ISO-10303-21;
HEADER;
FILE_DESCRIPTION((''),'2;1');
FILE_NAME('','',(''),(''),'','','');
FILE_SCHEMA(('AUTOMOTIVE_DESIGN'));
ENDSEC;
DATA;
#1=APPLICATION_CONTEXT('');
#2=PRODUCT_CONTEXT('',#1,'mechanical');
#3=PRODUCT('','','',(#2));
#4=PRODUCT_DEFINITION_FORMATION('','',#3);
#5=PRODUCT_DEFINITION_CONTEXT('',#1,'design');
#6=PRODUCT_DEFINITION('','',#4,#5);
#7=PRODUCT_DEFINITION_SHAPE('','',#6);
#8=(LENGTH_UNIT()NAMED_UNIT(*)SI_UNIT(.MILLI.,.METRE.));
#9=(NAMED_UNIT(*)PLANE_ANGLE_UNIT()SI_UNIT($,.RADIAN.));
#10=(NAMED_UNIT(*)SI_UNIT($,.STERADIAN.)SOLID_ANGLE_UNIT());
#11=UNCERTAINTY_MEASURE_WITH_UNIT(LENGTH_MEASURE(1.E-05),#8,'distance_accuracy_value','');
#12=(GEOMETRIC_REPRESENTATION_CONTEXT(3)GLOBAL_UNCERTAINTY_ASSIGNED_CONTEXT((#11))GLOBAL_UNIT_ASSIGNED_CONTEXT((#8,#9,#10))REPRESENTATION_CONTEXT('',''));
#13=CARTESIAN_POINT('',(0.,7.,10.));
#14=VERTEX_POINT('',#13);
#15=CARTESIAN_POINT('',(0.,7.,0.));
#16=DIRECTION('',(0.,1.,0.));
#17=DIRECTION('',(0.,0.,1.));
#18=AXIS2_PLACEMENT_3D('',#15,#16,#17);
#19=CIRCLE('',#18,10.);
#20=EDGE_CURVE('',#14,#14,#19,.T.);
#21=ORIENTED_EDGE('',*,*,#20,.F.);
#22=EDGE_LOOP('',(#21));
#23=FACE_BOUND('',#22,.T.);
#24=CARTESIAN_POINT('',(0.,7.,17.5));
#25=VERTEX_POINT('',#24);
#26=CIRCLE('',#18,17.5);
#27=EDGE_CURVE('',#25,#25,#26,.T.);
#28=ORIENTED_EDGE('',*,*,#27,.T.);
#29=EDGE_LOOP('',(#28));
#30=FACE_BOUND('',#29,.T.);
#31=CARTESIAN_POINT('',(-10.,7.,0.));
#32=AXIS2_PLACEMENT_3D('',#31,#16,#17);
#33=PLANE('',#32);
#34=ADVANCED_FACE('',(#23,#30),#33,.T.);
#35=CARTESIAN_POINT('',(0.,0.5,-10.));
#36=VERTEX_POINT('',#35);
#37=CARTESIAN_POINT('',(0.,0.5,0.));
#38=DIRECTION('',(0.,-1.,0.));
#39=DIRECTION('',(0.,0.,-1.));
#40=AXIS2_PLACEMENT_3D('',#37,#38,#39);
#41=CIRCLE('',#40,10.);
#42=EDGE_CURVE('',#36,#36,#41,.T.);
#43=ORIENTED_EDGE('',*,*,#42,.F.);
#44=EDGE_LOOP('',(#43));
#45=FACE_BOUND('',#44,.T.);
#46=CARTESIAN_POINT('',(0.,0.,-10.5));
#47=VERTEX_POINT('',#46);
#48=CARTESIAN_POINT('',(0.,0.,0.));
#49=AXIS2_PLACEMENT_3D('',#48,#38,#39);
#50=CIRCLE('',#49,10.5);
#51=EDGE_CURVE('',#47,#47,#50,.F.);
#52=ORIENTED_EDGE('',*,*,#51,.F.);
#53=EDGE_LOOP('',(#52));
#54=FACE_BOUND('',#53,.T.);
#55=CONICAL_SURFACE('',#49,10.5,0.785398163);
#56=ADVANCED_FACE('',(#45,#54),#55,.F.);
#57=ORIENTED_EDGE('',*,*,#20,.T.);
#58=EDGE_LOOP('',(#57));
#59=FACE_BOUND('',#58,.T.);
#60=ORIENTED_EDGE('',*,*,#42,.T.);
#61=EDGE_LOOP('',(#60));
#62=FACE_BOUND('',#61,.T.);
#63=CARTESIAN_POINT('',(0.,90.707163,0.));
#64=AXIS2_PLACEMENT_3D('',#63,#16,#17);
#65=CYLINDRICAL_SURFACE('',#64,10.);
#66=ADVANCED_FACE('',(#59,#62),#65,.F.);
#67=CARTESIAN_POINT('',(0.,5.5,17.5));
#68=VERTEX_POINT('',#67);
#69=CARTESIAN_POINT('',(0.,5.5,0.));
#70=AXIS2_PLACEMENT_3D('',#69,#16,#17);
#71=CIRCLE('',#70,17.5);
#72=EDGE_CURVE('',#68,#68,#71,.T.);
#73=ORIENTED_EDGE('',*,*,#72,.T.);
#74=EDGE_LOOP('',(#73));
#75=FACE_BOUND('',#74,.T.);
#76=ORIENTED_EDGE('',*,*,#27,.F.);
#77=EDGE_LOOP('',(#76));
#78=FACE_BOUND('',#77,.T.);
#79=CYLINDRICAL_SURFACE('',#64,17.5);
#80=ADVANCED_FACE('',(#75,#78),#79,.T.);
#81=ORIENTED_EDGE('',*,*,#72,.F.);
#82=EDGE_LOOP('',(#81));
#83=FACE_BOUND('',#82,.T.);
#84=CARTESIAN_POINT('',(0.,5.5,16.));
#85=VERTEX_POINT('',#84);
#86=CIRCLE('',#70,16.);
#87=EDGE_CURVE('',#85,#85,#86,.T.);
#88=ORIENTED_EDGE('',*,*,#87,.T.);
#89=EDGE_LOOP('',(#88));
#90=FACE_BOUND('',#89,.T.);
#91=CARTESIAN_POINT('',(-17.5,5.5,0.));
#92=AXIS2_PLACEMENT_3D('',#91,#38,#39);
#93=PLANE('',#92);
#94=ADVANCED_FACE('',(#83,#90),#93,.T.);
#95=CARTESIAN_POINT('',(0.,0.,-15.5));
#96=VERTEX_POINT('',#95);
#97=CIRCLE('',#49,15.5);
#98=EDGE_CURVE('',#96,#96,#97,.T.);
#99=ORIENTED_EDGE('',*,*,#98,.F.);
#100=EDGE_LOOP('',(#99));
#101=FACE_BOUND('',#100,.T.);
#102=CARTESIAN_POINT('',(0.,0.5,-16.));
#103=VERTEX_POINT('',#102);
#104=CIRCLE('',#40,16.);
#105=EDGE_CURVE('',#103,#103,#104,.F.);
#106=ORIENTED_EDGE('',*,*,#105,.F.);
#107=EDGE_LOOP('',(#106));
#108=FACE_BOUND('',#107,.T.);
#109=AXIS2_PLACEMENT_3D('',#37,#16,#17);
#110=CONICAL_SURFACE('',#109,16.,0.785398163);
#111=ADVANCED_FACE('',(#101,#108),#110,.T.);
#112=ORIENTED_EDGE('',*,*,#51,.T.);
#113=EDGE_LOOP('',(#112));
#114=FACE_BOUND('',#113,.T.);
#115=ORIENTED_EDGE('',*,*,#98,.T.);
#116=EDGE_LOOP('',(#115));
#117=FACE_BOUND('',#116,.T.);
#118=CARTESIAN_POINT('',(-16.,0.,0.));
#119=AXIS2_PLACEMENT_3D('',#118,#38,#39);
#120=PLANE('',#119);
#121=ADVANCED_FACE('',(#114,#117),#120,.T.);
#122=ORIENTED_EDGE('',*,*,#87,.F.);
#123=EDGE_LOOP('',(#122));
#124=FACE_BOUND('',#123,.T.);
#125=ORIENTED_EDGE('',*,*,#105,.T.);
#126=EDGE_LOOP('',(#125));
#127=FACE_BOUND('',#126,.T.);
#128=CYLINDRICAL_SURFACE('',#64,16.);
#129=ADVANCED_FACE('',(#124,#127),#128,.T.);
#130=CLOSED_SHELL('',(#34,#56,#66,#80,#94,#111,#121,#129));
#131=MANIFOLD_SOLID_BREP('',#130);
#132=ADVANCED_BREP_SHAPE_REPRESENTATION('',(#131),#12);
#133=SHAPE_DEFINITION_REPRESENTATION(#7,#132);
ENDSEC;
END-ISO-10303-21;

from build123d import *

# Parameters (mm, degrees)
CHAMFER_1_SIZE = 0.5


with BuildPart() as part:
    # 草图1 → 旋转1 (revolve)
    with BuildSketch(Plane.XY, mode=Mode.PRIVATE) as revolve_1_sk:
        Polygon((-10, 0), (-10, 7), (-17.5, 7), (-17.5, 5.5), (-16, 5.5), (-16, 0), align=None)
    revolve(revolve_1_sk.sketch.rotate(Axis((0, 90.707162858, 0), (0, -1, 0)), 270), axis=Axis((0, 90.707162858, 0), (0, -1, 0)))

    # 倒角1
    chamfer_1_edges = [part.edges().sort_by_distance(p)[0] for p in [
        (0, 0, -16),
        (0, 0, -10),
    ]]
    chamfer(chamfer_1_edges, length=CHAMFER_1_SIZE)


solid = part.part
